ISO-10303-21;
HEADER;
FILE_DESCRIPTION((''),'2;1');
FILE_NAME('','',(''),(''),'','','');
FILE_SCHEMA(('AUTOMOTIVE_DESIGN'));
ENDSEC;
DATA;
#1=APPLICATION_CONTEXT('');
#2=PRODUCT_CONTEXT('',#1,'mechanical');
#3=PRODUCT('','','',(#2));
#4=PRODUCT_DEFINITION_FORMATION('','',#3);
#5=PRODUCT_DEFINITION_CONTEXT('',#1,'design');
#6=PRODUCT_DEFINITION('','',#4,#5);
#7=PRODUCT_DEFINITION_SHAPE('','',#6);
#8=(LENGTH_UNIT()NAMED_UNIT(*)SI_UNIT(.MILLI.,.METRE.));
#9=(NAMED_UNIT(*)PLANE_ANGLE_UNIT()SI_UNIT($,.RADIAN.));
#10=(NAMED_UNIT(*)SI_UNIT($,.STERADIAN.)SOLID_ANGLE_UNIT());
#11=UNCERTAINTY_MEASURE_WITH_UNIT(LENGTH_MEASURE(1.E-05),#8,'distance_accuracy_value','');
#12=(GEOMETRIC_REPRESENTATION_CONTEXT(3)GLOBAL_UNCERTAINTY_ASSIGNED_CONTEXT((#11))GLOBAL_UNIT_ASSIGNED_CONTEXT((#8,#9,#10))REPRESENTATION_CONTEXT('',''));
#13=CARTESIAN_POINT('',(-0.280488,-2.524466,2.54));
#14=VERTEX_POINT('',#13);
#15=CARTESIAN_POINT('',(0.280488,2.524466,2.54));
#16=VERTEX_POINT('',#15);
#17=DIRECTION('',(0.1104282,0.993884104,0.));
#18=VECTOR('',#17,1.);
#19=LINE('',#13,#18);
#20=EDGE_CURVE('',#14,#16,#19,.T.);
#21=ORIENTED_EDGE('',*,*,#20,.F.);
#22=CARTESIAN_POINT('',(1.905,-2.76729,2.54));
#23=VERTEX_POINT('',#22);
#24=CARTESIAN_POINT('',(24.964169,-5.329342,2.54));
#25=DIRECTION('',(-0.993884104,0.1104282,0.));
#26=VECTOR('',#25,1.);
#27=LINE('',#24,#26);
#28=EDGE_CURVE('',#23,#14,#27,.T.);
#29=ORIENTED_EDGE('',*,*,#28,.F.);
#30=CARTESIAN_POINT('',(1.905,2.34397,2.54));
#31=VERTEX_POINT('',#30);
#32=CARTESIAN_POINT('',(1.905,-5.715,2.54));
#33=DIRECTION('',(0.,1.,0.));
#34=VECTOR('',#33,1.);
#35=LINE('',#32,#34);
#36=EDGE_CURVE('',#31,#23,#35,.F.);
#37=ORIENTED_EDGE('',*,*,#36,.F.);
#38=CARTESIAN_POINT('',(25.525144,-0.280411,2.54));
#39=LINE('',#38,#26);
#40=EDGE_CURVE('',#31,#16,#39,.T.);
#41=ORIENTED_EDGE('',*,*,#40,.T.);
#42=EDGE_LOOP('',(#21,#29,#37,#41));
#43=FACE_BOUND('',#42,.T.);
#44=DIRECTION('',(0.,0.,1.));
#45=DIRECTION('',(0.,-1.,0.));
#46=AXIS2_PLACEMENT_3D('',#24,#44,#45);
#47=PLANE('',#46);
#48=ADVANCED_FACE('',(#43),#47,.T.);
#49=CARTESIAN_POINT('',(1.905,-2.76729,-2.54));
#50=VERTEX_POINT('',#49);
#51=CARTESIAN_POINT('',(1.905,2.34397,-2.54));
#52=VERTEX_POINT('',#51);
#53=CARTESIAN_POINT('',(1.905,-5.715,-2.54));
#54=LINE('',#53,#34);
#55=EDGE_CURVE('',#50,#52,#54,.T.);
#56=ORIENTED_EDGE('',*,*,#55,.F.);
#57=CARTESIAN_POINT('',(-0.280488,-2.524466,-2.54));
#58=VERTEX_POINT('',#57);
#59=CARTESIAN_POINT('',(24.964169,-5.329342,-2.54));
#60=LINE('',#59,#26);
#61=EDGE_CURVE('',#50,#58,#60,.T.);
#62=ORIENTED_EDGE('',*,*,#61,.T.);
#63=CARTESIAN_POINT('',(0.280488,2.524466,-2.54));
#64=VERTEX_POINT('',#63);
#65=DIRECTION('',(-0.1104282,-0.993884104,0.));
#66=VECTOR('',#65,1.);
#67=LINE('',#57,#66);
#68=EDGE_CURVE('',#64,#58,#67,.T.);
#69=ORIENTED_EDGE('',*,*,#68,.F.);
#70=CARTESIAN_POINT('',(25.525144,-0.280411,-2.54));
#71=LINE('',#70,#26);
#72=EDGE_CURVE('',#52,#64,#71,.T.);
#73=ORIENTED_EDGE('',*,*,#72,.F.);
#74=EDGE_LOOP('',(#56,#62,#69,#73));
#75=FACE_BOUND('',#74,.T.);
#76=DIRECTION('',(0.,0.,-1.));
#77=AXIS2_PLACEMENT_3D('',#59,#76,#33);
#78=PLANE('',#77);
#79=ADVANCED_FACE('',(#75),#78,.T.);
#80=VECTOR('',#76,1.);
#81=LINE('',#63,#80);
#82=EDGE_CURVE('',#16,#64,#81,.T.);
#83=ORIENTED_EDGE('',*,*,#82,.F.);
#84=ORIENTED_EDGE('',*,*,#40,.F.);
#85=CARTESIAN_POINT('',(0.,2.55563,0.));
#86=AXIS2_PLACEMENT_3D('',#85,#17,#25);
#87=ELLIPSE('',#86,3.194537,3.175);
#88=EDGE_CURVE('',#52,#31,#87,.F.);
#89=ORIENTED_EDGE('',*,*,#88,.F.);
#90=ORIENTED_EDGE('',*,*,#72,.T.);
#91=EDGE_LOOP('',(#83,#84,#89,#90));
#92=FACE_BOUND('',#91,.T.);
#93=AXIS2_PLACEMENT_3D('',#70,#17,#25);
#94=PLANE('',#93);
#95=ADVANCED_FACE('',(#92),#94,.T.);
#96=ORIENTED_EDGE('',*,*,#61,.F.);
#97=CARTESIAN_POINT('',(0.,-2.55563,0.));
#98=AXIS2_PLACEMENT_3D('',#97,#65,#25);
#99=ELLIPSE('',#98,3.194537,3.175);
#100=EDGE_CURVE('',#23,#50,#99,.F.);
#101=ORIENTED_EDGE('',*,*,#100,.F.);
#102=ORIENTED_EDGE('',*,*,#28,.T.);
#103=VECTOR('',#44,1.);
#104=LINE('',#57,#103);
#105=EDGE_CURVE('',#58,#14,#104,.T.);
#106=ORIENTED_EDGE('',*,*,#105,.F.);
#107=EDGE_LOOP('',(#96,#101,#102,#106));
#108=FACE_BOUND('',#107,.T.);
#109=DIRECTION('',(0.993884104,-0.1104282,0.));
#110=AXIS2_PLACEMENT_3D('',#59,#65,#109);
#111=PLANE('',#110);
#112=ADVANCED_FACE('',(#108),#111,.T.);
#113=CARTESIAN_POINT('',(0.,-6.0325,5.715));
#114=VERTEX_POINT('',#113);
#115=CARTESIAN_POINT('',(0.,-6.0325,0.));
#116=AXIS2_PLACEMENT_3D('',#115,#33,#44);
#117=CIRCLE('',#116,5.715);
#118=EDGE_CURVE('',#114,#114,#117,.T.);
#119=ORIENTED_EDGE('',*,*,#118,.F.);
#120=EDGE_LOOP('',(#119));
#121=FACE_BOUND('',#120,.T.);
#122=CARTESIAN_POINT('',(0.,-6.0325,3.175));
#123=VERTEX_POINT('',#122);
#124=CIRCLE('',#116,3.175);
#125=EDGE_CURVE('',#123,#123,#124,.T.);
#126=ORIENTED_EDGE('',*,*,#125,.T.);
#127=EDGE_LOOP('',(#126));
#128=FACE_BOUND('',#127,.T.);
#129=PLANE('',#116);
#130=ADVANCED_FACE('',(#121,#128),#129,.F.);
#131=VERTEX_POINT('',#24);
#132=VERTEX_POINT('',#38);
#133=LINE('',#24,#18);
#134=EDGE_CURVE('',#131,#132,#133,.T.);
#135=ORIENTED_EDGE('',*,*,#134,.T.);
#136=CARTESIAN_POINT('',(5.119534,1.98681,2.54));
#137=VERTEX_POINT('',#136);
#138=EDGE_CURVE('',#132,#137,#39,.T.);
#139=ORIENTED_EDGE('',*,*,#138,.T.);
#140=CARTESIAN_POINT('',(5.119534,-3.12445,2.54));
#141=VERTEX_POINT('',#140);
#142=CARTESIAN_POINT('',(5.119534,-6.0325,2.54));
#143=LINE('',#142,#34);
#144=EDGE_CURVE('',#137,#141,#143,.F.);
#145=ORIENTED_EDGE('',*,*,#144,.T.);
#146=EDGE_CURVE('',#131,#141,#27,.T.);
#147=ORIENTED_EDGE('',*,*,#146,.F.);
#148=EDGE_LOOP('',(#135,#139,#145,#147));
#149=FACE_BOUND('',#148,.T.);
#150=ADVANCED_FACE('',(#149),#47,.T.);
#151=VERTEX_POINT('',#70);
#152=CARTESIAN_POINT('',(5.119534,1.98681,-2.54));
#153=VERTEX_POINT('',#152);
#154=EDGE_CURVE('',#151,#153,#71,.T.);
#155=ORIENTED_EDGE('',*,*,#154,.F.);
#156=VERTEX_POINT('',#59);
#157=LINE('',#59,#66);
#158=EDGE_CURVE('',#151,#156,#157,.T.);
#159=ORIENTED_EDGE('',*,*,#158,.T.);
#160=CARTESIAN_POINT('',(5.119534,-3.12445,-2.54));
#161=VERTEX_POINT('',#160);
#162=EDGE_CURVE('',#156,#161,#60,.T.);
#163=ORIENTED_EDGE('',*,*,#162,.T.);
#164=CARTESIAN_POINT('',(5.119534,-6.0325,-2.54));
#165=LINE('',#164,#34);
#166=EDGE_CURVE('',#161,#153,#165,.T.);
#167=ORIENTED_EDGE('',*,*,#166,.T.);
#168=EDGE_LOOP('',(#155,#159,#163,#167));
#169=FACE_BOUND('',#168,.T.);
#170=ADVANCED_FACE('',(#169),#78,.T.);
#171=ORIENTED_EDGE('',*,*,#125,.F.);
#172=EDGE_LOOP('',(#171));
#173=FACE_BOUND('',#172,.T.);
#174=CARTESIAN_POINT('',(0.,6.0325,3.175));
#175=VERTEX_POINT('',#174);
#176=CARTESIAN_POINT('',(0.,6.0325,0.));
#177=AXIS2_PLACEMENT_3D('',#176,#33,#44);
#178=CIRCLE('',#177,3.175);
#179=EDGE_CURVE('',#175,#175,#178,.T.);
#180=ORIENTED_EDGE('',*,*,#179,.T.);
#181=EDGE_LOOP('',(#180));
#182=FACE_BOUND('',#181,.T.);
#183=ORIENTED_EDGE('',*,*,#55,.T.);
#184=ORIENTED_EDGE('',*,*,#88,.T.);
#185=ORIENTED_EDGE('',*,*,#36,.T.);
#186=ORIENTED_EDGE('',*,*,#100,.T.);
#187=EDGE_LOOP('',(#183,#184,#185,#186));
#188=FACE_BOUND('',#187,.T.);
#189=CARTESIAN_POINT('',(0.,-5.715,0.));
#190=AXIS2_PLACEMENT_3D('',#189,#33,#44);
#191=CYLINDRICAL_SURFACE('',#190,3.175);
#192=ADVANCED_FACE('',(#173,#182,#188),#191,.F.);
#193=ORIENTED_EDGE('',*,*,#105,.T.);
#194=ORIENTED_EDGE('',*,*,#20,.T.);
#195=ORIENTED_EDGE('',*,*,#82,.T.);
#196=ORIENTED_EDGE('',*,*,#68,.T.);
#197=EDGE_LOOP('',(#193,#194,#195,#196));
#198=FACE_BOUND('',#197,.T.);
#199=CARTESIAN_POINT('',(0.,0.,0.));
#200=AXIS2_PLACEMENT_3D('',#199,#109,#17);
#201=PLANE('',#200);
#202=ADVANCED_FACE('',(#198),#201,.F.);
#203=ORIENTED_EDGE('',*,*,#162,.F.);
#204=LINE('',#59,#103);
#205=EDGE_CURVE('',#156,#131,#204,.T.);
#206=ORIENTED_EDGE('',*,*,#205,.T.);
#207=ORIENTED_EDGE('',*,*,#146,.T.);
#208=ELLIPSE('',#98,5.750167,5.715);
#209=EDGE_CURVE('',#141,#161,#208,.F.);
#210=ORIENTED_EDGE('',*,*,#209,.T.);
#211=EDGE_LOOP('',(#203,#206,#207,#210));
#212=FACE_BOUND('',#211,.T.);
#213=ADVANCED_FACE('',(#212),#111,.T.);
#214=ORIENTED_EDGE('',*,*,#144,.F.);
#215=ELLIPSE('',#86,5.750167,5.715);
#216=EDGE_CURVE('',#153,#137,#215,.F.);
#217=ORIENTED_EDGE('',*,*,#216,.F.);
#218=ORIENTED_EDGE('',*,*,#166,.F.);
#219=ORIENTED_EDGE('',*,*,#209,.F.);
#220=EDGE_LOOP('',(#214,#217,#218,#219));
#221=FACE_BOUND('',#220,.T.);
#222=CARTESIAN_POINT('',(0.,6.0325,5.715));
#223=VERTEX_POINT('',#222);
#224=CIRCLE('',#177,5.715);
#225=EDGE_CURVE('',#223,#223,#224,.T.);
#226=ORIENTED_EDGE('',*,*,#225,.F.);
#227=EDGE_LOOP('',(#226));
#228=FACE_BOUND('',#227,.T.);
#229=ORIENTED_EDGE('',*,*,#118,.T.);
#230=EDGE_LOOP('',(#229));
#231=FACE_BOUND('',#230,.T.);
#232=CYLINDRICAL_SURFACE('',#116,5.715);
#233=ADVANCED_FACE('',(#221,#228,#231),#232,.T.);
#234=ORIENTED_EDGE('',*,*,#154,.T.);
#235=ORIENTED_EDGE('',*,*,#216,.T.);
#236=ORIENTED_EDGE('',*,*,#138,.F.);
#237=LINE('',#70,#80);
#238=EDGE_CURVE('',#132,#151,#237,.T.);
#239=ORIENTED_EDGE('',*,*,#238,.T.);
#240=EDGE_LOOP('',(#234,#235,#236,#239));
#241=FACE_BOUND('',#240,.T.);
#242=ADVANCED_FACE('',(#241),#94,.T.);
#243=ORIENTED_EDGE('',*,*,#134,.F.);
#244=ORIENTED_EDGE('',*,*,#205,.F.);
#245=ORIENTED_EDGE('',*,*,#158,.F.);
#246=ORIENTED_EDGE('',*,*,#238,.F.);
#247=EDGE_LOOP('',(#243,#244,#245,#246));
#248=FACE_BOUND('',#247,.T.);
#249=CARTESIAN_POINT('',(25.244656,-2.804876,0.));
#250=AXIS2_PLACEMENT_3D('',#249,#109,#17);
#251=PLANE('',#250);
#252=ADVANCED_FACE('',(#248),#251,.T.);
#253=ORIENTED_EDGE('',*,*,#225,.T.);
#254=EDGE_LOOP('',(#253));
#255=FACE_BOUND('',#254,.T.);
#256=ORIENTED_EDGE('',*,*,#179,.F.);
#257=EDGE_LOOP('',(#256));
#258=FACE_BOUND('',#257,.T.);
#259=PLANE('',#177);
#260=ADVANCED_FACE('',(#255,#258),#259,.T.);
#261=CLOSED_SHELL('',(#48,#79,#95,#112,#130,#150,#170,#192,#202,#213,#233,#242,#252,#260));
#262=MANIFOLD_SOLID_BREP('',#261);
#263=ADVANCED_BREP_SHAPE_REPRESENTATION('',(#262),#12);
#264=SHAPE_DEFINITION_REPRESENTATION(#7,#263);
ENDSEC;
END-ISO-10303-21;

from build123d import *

# Parameters (mm, degrees)
SKETCH2_R                = 3.175
CUT_EXTRUDE1_DEPTH       = 6.715
CUT_EXTRUDE1_DEPTH_BACK  = 6.715
SKETCH3_R                = 5.715
SKETCH3_R_2              = 3.175
BOSS_EXTRUDE1_DEPTH      = 6.0325
BOSS_EXTRUDE1_DEPTH_BACK = 6.0325
SKETCH4_W                = 5.08
SKETCH4_H                = 5.08
BOSS_EXTRUDE2_DEPTH      = 25.4


with BuildPart() as part:
    # Sketch1 → Revolve1 (revolve)
    with BuildSketch(Plane.XY):
        with BuildLine():
            Line((0, 5.715), (0, -5.715))
            ThreePointArc((0, -5.715), (5.715, 0), (0, 5.715))
        make_face()
    revolve(axis=Axis((0, 5.715, 0), (0, -1, 0)))

    # Sketch2 → Cut-Extrude1 (cut, two sides)
    with BuildSketch(Plane(origin=(0, 0, 0), x_dir=(1, 0, 0), z_dir=(0, 1, 0))) as cut_extrude1_sk:
        Circle(SKETCH2_R)
    extrude(amount=CUT_EXTRUDE1_DEPTH, mode=Mode.SUBTRACT)
    extrude(cut_extrude1_sk.sketch, amount=-CUT_EXTRUDE1_DEPTH_BACK, mode=Mode.SUBTRACT)

    # Sketch3 → Boss-Extrude1 (add, two sides)
    with BuildSketch(Plane(origin=(0, 0, 0), x_dir=(1, 0, 0), z_dir=(0, 1, 0))) as boss_extrude1_sk:
        Circle(SKETCH3_R)
        Circle(SKETCH3_R_2, mode=Mode.SUBTRACT)
    extrude(amount=BOSS_EXTRUDE1_DEPTH)
    extrude(boss_extrude1_sk.sketch, amount=-BOSS_EXTRUDE1_DEPTH_BACK)

    # Sketch4 → Boss-Extrude2 (add)
    with BuildSketch(Plane(origin=(0, 0, 0), x_dir=(0, 0, -1), z_dir=(-0.993884104, 0.1104282, 0))):
        Rectangle(SKETCH4_W, SKETCH4_H)
    extrude(amount=-BOSS_EXTRUDE2_DEPTH)


solid = part.part
